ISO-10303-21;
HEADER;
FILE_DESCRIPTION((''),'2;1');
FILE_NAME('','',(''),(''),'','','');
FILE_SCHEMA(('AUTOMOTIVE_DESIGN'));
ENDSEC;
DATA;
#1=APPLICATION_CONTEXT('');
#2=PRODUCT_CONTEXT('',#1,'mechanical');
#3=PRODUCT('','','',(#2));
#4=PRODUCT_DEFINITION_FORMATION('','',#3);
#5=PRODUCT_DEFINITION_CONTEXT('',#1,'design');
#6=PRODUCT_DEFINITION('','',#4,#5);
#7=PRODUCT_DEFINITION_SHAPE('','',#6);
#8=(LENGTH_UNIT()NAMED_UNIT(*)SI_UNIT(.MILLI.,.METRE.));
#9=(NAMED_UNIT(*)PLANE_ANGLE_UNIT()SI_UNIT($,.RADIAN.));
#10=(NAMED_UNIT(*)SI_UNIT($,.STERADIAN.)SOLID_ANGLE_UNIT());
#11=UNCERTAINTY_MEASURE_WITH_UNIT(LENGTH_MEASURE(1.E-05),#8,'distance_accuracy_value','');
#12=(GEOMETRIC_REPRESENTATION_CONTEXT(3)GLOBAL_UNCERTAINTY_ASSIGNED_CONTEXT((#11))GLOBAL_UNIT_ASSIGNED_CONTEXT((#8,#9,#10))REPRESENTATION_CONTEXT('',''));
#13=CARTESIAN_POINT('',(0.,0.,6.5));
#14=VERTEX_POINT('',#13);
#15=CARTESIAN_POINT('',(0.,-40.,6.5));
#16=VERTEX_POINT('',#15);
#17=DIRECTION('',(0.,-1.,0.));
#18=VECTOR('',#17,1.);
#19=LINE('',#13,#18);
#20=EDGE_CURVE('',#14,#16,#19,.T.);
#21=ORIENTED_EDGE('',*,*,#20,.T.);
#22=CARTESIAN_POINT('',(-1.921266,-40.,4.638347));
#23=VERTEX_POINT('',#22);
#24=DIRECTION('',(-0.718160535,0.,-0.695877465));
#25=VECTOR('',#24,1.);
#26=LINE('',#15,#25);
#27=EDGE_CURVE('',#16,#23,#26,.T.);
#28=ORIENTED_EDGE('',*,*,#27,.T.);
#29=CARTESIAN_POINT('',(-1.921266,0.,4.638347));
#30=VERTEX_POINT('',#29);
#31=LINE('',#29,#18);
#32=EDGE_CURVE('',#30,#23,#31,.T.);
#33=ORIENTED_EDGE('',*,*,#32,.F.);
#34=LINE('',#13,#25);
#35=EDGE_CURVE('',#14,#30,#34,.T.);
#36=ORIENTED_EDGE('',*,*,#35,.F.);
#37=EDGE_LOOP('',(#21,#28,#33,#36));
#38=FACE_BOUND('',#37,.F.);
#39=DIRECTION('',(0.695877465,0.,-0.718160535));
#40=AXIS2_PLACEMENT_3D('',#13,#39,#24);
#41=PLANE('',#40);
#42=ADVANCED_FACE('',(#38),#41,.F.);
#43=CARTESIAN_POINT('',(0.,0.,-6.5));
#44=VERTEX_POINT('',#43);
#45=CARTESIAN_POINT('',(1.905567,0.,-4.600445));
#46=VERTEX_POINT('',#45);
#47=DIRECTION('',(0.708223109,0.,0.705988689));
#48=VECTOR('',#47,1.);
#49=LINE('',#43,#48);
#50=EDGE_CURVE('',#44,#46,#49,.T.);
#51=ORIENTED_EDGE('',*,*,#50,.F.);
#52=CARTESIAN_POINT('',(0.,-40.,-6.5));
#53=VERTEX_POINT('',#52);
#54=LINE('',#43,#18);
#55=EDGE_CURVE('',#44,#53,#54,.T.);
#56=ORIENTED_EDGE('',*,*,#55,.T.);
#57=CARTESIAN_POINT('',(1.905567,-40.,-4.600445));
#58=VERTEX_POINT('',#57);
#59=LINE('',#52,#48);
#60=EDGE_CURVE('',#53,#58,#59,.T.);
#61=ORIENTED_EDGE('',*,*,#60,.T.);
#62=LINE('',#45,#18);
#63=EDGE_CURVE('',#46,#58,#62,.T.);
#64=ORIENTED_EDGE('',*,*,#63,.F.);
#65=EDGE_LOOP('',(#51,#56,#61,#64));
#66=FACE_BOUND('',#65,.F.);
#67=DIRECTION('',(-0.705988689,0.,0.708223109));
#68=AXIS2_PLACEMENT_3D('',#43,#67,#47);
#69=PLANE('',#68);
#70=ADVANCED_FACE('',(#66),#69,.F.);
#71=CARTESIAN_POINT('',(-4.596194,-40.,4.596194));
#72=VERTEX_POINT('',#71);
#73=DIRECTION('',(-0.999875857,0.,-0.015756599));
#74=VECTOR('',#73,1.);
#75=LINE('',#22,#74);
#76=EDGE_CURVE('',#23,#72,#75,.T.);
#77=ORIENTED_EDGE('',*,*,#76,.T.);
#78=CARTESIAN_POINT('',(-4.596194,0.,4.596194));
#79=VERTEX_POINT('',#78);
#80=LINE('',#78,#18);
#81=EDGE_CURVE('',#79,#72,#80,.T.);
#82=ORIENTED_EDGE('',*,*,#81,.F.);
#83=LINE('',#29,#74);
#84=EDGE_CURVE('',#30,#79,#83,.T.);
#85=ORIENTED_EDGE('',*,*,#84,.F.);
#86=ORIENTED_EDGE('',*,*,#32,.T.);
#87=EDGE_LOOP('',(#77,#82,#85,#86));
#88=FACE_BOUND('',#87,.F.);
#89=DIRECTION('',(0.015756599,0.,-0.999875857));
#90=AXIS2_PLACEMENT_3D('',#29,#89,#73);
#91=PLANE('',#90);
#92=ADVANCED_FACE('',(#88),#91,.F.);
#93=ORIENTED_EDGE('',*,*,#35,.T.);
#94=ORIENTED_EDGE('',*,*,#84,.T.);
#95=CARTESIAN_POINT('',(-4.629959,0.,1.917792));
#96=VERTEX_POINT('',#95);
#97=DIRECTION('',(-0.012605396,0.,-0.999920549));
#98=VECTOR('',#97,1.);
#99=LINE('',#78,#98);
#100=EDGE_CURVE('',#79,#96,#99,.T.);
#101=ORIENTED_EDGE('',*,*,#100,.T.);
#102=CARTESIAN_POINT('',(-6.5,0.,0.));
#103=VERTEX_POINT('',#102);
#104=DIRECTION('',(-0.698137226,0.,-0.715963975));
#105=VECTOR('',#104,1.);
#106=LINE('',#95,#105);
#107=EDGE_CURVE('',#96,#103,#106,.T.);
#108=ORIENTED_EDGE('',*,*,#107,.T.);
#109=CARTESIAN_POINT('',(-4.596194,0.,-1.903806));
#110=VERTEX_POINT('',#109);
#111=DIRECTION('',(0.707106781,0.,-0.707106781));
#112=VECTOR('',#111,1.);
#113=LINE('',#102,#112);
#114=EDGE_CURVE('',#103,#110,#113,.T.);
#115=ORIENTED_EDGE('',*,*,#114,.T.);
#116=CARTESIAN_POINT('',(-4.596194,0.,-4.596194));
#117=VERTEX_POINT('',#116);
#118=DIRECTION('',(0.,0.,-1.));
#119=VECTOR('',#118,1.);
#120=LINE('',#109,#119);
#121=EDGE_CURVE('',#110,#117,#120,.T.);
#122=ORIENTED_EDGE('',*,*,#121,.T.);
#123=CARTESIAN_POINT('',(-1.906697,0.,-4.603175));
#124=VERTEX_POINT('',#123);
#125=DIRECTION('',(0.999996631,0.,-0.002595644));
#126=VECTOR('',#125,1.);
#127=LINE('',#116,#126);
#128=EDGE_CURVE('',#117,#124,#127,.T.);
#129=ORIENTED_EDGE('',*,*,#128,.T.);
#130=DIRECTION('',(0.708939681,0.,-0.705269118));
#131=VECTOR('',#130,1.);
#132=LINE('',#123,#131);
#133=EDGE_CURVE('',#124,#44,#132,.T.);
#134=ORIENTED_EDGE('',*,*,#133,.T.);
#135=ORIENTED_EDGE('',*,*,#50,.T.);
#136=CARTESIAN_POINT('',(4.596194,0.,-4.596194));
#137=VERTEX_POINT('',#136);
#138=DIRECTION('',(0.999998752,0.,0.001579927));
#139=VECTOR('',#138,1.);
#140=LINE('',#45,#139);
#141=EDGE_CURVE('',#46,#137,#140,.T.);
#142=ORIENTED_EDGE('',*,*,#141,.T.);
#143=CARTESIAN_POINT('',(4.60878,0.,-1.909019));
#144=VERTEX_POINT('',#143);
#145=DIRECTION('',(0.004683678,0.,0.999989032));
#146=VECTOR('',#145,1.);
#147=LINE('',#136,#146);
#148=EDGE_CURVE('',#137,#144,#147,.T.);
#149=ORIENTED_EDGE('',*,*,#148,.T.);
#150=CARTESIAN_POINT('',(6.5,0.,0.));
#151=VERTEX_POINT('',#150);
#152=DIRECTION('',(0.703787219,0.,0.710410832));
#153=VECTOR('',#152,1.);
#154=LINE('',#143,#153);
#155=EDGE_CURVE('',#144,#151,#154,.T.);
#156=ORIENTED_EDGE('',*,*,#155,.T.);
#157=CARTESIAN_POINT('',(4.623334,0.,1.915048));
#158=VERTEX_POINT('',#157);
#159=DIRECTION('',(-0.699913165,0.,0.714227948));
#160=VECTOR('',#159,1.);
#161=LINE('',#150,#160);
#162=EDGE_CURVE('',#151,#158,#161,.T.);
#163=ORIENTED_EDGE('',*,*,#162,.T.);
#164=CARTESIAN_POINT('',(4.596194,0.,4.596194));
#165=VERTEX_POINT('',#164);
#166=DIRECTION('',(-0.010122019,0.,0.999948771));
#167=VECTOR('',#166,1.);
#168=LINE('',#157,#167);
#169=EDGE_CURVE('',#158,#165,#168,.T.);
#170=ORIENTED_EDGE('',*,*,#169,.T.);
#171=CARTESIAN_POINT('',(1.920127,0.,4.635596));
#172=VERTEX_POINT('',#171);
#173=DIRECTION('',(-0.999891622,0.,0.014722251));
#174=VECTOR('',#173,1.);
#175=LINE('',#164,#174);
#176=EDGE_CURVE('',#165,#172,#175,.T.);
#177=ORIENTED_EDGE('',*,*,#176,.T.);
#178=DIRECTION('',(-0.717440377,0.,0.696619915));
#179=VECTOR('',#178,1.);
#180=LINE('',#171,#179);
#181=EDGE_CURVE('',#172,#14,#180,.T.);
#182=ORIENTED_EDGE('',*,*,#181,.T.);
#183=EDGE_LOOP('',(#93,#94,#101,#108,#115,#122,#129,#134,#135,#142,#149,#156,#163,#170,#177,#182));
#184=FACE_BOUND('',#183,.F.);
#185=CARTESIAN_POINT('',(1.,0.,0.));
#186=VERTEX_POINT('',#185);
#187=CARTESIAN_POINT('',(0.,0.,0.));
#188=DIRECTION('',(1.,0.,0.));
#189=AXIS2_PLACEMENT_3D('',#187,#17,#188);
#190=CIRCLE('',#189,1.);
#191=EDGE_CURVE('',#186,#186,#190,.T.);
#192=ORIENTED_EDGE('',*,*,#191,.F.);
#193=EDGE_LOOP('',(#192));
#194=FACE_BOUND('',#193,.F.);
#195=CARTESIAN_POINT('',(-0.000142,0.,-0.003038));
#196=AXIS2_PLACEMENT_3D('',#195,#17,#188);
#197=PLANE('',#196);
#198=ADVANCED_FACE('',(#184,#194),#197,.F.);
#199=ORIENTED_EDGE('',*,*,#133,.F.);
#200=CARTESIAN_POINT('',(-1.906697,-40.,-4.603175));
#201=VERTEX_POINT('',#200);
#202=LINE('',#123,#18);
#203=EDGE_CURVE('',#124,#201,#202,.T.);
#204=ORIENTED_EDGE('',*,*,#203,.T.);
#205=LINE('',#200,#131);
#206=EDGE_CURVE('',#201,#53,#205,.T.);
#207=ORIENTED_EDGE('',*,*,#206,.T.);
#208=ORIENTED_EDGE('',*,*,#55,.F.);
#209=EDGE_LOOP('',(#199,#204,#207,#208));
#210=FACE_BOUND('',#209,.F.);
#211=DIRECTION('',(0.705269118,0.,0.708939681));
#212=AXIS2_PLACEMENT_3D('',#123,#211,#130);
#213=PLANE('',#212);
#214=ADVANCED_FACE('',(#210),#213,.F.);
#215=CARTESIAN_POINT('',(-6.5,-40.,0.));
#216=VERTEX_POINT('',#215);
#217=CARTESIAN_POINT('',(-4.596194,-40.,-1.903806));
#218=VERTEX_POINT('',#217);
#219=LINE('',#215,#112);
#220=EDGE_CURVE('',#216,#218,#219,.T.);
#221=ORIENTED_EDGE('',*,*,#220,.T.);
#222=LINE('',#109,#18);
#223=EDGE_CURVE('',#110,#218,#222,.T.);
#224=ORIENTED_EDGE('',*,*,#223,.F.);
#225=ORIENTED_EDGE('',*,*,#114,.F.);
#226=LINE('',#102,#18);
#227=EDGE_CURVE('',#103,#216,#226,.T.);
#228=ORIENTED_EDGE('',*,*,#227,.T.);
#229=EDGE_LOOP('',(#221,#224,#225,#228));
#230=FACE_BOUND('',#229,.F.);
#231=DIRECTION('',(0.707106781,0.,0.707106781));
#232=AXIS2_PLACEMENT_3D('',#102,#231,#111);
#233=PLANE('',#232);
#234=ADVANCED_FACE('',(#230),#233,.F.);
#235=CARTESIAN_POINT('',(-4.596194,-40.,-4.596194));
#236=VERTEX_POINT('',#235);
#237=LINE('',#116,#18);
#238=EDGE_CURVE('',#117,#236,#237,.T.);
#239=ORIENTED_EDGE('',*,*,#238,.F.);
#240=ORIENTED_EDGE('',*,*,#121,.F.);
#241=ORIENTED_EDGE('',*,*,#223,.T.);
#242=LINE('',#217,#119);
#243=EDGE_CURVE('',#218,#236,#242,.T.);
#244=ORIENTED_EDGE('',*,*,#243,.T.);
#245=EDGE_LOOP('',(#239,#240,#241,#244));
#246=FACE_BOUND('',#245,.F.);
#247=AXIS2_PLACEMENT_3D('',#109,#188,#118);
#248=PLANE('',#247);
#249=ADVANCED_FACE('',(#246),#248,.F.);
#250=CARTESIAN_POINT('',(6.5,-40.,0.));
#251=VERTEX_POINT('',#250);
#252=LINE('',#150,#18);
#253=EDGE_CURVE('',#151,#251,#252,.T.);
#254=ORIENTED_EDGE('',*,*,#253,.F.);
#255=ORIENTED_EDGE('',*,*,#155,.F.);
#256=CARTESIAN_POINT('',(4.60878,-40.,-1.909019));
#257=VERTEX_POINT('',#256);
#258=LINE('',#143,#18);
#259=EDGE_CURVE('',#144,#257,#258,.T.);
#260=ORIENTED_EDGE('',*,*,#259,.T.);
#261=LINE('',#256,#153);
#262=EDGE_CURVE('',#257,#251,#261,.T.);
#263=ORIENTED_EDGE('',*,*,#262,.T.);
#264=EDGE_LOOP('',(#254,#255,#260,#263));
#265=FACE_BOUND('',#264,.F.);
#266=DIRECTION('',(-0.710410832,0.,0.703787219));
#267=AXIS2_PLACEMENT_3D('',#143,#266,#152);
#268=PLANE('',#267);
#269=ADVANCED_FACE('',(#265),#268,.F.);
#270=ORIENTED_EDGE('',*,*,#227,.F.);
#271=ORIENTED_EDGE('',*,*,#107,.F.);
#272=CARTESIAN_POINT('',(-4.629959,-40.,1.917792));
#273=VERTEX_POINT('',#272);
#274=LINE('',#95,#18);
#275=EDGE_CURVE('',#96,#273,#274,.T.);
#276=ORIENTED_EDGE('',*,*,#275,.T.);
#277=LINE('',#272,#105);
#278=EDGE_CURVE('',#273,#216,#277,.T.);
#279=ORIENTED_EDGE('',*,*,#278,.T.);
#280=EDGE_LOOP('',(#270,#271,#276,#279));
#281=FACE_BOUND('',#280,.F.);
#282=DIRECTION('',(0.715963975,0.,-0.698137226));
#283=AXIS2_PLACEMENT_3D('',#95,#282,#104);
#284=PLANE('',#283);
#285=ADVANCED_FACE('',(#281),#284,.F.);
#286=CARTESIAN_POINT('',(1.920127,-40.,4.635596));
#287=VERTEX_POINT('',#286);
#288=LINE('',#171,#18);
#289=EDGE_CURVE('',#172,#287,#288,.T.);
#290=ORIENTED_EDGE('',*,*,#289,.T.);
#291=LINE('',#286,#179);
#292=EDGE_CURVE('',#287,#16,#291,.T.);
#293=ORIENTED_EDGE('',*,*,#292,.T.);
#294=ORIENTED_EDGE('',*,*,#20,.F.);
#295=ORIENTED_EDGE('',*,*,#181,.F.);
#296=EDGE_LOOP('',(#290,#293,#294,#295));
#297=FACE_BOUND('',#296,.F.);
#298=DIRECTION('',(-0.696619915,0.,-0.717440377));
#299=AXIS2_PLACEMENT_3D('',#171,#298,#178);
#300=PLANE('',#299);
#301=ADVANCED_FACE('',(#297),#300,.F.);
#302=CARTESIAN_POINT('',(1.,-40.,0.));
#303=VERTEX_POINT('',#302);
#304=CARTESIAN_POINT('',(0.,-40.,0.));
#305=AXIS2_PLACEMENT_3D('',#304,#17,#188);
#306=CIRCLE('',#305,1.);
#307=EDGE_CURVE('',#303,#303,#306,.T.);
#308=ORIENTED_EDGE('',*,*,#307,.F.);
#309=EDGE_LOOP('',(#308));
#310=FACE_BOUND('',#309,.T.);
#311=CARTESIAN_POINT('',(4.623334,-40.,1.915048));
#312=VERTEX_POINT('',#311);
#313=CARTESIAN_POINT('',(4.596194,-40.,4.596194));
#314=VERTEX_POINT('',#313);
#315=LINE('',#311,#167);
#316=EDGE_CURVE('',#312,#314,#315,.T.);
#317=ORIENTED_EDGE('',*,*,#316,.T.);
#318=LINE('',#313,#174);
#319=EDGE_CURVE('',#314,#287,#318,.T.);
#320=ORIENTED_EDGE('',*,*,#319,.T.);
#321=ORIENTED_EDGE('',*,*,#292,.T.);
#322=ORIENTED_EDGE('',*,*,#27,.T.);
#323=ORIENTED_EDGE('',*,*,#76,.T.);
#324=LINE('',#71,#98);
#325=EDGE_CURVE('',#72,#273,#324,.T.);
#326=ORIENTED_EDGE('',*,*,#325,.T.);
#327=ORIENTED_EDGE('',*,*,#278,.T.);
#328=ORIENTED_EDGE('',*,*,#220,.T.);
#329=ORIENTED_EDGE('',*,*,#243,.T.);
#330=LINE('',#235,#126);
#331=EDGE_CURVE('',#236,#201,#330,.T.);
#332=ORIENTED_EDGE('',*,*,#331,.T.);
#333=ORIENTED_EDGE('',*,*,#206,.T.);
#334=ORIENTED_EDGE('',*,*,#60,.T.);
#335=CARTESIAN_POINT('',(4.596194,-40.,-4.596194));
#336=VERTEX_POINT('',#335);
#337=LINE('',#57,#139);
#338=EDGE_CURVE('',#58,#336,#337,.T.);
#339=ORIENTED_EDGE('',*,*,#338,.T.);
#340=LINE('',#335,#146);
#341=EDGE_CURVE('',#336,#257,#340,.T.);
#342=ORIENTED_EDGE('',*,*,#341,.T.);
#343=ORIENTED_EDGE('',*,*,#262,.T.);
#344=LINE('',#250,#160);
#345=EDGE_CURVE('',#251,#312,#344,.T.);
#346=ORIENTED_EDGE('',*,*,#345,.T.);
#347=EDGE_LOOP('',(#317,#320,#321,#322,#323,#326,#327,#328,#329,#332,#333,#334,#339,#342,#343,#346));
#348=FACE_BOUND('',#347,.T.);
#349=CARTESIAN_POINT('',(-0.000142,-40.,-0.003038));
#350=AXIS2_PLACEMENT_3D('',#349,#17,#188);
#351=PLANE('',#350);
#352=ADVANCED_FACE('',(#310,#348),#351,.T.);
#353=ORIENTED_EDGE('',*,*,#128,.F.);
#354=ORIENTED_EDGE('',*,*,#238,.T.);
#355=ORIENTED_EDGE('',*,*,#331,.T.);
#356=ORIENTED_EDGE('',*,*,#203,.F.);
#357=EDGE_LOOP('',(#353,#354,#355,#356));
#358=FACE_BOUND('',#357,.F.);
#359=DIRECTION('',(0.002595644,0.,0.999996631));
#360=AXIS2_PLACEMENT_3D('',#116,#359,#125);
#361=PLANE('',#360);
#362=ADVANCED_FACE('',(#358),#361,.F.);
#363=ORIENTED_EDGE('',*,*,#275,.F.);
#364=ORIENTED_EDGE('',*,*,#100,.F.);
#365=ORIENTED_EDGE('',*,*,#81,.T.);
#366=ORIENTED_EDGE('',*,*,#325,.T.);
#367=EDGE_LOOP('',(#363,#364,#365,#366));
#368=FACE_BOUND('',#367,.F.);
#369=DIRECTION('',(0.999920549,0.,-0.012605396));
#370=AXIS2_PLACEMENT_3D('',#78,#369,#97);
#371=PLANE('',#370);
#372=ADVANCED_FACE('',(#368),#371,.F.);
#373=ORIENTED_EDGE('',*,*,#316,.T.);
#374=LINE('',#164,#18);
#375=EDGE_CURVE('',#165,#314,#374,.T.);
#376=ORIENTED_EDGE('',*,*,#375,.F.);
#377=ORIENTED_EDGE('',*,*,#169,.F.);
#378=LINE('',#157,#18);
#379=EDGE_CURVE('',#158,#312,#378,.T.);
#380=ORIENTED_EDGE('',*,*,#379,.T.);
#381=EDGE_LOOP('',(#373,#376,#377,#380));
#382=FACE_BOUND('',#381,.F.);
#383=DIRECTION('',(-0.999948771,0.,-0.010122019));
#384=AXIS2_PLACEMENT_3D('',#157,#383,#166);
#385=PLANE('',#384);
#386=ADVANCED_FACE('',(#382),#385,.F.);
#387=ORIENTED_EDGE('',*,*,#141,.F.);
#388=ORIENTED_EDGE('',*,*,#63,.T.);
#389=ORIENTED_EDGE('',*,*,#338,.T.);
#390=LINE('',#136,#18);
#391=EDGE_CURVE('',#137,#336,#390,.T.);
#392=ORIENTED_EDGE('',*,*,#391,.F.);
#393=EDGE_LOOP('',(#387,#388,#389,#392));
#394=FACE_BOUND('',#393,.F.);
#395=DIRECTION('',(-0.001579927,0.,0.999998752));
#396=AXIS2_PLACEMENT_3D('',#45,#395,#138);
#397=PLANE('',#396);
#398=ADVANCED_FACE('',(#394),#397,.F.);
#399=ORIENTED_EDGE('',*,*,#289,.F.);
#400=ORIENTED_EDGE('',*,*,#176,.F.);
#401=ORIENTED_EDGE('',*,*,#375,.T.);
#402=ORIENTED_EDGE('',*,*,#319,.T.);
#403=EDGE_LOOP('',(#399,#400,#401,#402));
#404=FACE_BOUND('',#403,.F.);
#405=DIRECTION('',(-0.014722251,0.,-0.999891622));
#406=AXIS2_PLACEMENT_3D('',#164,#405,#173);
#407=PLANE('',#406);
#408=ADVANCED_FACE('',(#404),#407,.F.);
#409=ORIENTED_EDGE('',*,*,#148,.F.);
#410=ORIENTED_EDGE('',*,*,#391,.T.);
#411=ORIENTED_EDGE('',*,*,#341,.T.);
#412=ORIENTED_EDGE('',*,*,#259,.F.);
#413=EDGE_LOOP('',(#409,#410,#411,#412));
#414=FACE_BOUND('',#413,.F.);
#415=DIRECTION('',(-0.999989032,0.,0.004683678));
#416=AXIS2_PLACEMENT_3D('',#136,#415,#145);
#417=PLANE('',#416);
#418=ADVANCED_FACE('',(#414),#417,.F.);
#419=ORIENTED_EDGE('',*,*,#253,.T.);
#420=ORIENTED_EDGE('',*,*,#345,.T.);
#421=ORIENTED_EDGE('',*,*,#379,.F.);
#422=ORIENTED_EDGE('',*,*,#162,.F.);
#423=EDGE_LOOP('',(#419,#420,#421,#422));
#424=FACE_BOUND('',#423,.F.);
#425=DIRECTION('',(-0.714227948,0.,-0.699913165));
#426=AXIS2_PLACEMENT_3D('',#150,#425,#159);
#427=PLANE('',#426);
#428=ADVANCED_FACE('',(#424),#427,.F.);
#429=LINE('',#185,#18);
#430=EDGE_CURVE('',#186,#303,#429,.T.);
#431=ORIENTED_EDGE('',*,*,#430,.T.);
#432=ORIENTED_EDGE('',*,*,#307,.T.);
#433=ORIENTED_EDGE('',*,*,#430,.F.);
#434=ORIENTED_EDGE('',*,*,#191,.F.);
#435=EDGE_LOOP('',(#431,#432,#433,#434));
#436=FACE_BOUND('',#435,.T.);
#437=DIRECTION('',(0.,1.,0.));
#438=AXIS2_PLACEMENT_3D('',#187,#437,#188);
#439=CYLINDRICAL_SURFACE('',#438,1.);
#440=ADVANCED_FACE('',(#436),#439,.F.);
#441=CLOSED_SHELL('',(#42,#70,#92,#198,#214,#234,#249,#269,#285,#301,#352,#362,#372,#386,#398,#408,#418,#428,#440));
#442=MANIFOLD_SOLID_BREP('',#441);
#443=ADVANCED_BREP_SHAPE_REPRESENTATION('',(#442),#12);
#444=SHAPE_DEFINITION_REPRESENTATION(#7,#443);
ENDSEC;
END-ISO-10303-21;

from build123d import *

# Parameters (mm, degrees)
F0_R     = 1
F1_DEPTH = 40


with BuildPart() as f1:
    # F0 (on Front) → F1 (new body)
    with BuildSketch(Plane.XZ):
        Polygon((4.60878, -1.909019), (6.5, 0), (4.623334, 1.915048), (4.596194, 4.596194), (1.920127, 4.635596), (0, 6.5), (-1.921266, 4.638347), (-4.596194, 4.596194), (-4.629959, 1.917792), (-6.5, 0), (-4.596194, -1.903806), (-4.596194, -4.596194), (-1.906697, -4.603175), (0, -6.5), (1.905567, -4.600445), (4.596194, -4.596194), align=None)
        Circle(F0_R, mode=Mode.SUBTRACT)
    extrude(amount=F1_DEPTH)


solid = f1.part
